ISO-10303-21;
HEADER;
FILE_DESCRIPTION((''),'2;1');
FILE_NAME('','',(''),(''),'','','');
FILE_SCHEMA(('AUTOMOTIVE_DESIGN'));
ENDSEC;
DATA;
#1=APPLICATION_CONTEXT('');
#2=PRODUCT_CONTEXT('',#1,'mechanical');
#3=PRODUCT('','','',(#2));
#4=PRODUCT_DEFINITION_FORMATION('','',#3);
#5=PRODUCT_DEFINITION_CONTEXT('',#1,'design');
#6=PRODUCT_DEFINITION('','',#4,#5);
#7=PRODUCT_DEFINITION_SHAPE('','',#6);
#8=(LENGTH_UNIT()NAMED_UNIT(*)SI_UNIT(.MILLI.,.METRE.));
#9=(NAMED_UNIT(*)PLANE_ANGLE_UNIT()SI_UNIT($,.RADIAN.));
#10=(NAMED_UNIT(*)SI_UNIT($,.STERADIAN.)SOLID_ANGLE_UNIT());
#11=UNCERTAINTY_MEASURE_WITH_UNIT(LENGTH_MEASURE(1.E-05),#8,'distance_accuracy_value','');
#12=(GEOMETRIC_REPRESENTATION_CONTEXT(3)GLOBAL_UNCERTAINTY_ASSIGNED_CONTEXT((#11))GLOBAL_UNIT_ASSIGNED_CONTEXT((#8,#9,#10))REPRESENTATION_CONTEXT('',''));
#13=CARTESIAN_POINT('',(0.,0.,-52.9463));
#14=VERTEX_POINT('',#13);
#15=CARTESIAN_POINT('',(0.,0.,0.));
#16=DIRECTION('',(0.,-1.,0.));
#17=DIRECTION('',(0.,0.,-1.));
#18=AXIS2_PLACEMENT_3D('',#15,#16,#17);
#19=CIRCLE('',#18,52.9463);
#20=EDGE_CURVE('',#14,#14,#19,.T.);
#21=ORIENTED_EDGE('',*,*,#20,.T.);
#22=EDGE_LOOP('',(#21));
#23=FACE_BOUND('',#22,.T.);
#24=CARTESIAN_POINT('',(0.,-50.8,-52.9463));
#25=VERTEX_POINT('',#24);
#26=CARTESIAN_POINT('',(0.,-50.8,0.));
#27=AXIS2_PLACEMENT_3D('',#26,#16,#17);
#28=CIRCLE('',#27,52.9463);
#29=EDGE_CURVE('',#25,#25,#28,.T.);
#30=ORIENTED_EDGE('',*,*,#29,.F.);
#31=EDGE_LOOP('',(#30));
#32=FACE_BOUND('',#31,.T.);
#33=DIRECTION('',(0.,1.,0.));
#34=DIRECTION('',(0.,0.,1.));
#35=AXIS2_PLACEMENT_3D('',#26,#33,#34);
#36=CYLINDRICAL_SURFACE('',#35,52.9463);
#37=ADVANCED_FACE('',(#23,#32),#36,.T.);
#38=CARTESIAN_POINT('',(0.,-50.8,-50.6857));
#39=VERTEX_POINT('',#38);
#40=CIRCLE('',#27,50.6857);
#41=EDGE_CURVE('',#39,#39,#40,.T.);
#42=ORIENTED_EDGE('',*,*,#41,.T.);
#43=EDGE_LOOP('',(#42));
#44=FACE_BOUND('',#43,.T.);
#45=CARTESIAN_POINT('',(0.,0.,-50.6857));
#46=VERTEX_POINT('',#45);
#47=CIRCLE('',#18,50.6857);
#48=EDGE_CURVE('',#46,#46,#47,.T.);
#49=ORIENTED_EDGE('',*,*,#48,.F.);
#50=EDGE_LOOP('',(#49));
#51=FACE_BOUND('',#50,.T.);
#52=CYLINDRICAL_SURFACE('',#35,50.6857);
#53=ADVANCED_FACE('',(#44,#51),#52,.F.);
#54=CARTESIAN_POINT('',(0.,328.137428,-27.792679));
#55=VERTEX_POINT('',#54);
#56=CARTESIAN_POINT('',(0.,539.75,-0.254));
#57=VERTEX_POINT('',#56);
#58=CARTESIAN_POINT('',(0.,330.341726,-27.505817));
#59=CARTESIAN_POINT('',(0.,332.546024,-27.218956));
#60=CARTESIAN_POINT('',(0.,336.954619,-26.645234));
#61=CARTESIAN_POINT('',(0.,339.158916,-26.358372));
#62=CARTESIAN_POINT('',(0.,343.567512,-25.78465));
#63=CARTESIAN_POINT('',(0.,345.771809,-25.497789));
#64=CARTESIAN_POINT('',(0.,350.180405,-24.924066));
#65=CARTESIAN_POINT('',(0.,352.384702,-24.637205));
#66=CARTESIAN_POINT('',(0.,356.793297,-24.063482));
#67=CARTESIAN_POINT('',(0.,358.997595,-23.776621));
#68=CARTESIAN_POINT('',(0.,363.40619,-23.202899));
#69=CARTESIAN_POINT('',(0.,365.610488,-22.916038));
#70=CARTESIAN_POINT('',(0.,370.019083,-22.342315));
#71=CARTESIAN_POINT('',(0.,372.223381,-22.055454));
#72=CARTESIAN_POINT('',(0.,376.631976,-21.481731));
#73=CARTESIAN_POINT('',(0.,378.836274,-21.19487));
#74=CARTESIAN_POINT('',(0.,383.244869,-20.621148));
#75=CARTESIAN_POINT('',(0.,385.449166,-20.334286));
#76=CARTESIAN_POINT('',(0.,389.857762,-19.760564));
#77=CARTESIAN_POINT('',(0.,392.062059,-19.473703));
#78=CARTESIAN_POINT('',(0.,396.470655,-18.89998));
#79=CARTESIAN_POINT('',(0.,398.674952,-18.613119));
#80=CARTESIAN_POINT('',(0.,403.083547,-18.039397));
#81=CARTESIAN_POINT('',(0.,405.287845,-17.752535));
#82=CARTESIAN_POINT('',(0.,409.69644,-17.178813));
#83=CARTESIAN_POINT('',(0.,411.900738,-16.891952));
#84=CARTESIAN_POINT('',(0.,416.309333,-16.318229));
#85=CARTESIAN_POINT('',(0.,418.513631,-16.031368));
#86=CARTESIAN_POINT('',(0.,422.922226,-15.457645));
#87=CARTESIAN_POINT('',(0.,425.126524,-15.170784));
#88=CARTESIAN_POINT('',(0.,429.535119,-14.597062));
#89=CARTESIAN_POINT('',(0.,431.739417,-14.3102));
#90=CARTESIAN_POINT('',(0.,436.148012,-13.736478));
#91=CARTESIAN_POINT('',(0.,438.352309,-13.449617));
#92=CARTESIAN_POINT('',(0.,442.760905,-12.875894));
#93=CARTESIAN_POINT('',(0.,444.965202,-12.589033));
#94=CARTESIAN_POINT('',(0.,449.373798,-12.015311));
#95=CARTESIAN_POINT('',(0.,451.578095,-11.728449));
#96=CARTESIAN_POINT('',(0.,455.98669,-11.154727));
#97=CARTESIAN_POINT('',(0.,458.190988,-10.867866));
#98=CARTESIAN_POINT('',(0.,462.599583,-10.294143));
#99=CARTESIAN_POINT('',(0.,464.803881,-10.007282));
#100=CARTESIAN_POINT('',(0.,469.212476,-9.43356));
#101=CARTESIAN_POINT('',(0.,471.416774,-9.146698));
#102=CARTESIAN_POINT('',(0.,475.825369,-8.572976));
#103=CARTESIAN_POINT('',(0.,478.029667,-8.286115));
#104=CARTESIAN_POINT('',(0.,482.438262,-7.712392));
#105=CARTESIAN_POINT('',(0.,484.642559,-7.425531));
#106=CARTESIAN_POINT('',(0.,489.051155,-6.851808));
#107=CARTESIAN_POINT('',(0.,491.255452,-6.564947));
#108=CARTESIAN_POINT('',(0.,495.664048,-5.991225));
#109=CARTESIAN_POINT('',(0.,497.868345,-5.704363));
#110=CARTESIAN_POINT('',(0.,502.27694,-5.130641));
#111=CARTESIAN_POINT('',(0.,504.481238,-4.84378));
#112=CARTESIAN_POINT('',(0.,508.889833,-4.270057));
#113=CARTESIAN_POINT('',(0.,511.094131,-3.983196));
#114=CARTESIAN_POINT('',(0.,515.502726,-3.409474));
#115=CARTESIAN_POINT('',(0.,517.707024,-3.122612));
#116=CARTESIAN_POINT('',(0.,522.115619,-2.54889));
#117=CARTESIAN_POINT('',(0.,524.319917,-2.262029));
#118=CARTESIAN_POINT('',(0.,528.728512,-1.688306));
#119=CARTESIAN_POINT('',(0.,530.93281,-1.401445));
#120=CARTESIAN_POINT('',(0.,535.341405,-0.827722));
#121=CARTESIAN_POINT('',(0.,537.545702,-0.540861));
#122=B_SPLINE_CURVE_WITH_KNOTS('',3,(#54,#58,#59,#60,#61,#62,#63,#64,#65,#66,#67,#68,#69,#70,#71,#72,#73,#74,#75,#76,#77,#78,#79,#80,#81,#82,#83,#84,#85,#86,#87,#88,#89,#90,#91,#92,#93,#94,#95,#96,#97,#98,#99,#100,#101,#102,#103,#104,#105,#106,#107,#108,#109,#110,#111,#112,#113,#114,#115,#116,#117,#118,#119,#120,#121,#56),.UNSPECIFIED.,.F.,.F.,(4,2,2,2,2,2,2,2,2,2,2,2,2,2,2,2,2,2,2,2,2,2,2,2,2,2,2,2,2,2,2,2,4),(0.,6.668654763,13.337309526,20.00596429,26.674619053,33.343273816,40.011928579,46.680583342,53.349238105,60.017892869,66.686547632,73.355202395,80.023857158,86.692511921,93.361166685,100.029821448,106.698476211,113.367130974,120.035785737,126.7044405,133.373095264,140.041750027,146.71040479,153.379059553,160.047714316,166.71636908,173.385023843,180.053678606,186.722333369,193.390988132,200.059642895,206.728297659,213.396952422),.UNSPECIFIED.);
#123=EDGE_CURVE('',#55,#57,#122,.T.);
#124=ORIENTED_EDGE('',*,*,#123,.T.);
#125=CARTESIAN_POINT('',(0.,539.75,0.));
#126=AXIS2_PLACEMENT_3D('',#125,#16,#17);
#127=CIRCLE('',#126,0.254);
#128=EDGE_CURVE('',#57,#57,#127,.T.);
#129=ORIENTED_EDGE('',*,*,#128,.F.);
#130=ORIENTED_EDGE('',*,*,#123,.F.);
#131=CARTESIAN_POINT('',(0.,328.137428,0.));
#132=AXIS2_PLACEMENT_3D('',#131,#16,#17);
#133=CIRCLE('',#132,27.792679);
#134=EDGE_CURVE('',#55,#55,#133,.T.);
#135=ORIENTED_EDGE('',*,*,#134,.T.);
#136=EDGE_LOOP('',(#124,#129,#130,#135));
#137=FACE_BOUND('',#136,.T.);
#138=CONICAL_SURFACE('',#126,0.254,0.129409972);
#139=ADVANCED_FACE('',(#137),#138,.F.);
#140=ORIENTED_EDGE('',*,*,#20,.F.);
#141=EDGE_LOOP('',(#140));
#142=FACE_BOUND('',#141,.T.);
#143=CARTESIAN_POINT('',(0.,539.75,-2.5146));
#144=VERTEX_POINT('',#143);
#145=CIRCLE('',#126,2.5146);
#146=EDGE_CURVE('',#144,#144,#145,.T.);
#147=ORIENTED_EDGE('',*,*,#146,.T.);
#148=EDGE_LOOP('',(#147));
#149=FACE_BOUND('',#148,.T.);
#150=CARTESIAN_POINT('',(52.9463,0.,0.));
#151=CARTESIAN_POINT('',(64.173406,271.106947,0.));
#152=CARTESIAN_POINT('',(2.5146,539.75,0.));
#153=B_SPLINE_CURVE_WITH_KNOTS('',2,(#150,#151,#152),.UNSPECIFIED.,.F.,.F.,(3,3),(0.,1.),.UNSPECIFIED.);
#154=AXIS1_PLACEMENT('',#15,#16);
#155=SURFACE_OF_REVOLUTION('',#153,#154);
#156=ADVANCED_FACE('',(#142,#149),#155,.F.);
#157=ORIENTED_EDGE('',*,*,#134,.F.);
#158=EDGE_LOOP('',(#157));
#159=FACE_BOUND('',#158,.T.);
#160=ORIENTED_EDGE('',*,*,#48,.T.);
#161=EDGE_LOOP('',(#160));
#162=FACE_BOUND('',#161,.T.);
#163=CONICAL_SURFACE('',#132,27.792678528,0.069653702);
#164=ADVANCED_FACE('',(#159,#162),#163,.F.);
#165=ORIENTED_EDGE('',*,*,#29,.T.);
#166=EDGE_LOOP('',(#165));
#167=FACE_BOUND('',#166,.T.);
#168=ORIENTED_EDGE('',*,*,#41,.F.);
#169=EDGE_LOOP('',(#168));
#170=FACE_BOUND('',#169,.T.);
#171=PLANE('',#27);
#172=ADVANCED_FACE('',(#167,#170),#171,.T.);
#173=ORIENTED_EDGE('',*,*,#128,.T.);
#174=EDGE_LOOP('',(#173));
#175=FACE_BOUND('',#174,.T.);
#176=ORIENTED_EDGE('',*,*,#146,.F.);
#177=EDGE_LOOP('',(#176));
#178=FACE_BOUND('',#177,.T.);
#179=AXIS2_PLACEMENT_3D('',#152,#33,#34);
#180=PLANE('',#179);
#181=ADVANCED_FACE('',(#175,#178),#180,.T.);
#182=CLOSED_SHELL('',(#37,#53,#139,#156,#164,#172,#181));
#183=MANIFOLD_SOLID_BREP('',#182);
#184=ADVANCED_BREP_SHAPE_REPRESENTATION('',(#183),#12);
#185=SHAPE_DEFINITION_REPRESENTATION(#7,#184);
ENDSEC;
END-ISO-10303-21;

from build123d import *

# Parameters (mm, degrees)
SKETCH2_R           = 52.9463
SKETCH2_R_2         = 50.6857
BOSS_EXTRUDE1_DEPTH = 50.8


with BuildPart() as part:
    # Sketch1 → Revolve1 (revolve)
    with BuildSketch(Plane.XY, mode=Mode.PRIVATE) as revolve1_sk:
        with BuildLine():
            Line((2.5146, 539.75), (0.254, 539.75))
            Line((0.254, 539.75), (27.792678528, 328.137428332))
            Line((27.792678528, 328.137428332), (50.6857, 0))
            Line((50.6857, 0), (52.9463, 0))
            add(Edge.make_bspline(
                [(52.9463, 0), (64.173406071, 271.106946787), (2.5146, 539.75)],
                knots=[0, 0, 0, 1, 1, 1], degree=2))
        make_face()
    revolve(revolve1_sk.sketch.rotate(Axis((0, 0, 0), (0, 1, 0)), 90), axis=Axis((0, 0, 0), (0, 1, 0)))

    # Sketch2 → Boss-Extrude1 (add)
    with BuildSketch(Plane.XZ):
        with Locations(Location((0, 0, 0), (0, 0, 270))):
            Circle(SKETCH2_R)
        with Locations(Location((0, 0, 0), (0, 0, 270))):
            Circle(SKETCH2_R_2, mode=Mode.SUBTRACT)
    extrude(amount=BOSS_EXTRUDE1_DEPTH)


solid = part.part
